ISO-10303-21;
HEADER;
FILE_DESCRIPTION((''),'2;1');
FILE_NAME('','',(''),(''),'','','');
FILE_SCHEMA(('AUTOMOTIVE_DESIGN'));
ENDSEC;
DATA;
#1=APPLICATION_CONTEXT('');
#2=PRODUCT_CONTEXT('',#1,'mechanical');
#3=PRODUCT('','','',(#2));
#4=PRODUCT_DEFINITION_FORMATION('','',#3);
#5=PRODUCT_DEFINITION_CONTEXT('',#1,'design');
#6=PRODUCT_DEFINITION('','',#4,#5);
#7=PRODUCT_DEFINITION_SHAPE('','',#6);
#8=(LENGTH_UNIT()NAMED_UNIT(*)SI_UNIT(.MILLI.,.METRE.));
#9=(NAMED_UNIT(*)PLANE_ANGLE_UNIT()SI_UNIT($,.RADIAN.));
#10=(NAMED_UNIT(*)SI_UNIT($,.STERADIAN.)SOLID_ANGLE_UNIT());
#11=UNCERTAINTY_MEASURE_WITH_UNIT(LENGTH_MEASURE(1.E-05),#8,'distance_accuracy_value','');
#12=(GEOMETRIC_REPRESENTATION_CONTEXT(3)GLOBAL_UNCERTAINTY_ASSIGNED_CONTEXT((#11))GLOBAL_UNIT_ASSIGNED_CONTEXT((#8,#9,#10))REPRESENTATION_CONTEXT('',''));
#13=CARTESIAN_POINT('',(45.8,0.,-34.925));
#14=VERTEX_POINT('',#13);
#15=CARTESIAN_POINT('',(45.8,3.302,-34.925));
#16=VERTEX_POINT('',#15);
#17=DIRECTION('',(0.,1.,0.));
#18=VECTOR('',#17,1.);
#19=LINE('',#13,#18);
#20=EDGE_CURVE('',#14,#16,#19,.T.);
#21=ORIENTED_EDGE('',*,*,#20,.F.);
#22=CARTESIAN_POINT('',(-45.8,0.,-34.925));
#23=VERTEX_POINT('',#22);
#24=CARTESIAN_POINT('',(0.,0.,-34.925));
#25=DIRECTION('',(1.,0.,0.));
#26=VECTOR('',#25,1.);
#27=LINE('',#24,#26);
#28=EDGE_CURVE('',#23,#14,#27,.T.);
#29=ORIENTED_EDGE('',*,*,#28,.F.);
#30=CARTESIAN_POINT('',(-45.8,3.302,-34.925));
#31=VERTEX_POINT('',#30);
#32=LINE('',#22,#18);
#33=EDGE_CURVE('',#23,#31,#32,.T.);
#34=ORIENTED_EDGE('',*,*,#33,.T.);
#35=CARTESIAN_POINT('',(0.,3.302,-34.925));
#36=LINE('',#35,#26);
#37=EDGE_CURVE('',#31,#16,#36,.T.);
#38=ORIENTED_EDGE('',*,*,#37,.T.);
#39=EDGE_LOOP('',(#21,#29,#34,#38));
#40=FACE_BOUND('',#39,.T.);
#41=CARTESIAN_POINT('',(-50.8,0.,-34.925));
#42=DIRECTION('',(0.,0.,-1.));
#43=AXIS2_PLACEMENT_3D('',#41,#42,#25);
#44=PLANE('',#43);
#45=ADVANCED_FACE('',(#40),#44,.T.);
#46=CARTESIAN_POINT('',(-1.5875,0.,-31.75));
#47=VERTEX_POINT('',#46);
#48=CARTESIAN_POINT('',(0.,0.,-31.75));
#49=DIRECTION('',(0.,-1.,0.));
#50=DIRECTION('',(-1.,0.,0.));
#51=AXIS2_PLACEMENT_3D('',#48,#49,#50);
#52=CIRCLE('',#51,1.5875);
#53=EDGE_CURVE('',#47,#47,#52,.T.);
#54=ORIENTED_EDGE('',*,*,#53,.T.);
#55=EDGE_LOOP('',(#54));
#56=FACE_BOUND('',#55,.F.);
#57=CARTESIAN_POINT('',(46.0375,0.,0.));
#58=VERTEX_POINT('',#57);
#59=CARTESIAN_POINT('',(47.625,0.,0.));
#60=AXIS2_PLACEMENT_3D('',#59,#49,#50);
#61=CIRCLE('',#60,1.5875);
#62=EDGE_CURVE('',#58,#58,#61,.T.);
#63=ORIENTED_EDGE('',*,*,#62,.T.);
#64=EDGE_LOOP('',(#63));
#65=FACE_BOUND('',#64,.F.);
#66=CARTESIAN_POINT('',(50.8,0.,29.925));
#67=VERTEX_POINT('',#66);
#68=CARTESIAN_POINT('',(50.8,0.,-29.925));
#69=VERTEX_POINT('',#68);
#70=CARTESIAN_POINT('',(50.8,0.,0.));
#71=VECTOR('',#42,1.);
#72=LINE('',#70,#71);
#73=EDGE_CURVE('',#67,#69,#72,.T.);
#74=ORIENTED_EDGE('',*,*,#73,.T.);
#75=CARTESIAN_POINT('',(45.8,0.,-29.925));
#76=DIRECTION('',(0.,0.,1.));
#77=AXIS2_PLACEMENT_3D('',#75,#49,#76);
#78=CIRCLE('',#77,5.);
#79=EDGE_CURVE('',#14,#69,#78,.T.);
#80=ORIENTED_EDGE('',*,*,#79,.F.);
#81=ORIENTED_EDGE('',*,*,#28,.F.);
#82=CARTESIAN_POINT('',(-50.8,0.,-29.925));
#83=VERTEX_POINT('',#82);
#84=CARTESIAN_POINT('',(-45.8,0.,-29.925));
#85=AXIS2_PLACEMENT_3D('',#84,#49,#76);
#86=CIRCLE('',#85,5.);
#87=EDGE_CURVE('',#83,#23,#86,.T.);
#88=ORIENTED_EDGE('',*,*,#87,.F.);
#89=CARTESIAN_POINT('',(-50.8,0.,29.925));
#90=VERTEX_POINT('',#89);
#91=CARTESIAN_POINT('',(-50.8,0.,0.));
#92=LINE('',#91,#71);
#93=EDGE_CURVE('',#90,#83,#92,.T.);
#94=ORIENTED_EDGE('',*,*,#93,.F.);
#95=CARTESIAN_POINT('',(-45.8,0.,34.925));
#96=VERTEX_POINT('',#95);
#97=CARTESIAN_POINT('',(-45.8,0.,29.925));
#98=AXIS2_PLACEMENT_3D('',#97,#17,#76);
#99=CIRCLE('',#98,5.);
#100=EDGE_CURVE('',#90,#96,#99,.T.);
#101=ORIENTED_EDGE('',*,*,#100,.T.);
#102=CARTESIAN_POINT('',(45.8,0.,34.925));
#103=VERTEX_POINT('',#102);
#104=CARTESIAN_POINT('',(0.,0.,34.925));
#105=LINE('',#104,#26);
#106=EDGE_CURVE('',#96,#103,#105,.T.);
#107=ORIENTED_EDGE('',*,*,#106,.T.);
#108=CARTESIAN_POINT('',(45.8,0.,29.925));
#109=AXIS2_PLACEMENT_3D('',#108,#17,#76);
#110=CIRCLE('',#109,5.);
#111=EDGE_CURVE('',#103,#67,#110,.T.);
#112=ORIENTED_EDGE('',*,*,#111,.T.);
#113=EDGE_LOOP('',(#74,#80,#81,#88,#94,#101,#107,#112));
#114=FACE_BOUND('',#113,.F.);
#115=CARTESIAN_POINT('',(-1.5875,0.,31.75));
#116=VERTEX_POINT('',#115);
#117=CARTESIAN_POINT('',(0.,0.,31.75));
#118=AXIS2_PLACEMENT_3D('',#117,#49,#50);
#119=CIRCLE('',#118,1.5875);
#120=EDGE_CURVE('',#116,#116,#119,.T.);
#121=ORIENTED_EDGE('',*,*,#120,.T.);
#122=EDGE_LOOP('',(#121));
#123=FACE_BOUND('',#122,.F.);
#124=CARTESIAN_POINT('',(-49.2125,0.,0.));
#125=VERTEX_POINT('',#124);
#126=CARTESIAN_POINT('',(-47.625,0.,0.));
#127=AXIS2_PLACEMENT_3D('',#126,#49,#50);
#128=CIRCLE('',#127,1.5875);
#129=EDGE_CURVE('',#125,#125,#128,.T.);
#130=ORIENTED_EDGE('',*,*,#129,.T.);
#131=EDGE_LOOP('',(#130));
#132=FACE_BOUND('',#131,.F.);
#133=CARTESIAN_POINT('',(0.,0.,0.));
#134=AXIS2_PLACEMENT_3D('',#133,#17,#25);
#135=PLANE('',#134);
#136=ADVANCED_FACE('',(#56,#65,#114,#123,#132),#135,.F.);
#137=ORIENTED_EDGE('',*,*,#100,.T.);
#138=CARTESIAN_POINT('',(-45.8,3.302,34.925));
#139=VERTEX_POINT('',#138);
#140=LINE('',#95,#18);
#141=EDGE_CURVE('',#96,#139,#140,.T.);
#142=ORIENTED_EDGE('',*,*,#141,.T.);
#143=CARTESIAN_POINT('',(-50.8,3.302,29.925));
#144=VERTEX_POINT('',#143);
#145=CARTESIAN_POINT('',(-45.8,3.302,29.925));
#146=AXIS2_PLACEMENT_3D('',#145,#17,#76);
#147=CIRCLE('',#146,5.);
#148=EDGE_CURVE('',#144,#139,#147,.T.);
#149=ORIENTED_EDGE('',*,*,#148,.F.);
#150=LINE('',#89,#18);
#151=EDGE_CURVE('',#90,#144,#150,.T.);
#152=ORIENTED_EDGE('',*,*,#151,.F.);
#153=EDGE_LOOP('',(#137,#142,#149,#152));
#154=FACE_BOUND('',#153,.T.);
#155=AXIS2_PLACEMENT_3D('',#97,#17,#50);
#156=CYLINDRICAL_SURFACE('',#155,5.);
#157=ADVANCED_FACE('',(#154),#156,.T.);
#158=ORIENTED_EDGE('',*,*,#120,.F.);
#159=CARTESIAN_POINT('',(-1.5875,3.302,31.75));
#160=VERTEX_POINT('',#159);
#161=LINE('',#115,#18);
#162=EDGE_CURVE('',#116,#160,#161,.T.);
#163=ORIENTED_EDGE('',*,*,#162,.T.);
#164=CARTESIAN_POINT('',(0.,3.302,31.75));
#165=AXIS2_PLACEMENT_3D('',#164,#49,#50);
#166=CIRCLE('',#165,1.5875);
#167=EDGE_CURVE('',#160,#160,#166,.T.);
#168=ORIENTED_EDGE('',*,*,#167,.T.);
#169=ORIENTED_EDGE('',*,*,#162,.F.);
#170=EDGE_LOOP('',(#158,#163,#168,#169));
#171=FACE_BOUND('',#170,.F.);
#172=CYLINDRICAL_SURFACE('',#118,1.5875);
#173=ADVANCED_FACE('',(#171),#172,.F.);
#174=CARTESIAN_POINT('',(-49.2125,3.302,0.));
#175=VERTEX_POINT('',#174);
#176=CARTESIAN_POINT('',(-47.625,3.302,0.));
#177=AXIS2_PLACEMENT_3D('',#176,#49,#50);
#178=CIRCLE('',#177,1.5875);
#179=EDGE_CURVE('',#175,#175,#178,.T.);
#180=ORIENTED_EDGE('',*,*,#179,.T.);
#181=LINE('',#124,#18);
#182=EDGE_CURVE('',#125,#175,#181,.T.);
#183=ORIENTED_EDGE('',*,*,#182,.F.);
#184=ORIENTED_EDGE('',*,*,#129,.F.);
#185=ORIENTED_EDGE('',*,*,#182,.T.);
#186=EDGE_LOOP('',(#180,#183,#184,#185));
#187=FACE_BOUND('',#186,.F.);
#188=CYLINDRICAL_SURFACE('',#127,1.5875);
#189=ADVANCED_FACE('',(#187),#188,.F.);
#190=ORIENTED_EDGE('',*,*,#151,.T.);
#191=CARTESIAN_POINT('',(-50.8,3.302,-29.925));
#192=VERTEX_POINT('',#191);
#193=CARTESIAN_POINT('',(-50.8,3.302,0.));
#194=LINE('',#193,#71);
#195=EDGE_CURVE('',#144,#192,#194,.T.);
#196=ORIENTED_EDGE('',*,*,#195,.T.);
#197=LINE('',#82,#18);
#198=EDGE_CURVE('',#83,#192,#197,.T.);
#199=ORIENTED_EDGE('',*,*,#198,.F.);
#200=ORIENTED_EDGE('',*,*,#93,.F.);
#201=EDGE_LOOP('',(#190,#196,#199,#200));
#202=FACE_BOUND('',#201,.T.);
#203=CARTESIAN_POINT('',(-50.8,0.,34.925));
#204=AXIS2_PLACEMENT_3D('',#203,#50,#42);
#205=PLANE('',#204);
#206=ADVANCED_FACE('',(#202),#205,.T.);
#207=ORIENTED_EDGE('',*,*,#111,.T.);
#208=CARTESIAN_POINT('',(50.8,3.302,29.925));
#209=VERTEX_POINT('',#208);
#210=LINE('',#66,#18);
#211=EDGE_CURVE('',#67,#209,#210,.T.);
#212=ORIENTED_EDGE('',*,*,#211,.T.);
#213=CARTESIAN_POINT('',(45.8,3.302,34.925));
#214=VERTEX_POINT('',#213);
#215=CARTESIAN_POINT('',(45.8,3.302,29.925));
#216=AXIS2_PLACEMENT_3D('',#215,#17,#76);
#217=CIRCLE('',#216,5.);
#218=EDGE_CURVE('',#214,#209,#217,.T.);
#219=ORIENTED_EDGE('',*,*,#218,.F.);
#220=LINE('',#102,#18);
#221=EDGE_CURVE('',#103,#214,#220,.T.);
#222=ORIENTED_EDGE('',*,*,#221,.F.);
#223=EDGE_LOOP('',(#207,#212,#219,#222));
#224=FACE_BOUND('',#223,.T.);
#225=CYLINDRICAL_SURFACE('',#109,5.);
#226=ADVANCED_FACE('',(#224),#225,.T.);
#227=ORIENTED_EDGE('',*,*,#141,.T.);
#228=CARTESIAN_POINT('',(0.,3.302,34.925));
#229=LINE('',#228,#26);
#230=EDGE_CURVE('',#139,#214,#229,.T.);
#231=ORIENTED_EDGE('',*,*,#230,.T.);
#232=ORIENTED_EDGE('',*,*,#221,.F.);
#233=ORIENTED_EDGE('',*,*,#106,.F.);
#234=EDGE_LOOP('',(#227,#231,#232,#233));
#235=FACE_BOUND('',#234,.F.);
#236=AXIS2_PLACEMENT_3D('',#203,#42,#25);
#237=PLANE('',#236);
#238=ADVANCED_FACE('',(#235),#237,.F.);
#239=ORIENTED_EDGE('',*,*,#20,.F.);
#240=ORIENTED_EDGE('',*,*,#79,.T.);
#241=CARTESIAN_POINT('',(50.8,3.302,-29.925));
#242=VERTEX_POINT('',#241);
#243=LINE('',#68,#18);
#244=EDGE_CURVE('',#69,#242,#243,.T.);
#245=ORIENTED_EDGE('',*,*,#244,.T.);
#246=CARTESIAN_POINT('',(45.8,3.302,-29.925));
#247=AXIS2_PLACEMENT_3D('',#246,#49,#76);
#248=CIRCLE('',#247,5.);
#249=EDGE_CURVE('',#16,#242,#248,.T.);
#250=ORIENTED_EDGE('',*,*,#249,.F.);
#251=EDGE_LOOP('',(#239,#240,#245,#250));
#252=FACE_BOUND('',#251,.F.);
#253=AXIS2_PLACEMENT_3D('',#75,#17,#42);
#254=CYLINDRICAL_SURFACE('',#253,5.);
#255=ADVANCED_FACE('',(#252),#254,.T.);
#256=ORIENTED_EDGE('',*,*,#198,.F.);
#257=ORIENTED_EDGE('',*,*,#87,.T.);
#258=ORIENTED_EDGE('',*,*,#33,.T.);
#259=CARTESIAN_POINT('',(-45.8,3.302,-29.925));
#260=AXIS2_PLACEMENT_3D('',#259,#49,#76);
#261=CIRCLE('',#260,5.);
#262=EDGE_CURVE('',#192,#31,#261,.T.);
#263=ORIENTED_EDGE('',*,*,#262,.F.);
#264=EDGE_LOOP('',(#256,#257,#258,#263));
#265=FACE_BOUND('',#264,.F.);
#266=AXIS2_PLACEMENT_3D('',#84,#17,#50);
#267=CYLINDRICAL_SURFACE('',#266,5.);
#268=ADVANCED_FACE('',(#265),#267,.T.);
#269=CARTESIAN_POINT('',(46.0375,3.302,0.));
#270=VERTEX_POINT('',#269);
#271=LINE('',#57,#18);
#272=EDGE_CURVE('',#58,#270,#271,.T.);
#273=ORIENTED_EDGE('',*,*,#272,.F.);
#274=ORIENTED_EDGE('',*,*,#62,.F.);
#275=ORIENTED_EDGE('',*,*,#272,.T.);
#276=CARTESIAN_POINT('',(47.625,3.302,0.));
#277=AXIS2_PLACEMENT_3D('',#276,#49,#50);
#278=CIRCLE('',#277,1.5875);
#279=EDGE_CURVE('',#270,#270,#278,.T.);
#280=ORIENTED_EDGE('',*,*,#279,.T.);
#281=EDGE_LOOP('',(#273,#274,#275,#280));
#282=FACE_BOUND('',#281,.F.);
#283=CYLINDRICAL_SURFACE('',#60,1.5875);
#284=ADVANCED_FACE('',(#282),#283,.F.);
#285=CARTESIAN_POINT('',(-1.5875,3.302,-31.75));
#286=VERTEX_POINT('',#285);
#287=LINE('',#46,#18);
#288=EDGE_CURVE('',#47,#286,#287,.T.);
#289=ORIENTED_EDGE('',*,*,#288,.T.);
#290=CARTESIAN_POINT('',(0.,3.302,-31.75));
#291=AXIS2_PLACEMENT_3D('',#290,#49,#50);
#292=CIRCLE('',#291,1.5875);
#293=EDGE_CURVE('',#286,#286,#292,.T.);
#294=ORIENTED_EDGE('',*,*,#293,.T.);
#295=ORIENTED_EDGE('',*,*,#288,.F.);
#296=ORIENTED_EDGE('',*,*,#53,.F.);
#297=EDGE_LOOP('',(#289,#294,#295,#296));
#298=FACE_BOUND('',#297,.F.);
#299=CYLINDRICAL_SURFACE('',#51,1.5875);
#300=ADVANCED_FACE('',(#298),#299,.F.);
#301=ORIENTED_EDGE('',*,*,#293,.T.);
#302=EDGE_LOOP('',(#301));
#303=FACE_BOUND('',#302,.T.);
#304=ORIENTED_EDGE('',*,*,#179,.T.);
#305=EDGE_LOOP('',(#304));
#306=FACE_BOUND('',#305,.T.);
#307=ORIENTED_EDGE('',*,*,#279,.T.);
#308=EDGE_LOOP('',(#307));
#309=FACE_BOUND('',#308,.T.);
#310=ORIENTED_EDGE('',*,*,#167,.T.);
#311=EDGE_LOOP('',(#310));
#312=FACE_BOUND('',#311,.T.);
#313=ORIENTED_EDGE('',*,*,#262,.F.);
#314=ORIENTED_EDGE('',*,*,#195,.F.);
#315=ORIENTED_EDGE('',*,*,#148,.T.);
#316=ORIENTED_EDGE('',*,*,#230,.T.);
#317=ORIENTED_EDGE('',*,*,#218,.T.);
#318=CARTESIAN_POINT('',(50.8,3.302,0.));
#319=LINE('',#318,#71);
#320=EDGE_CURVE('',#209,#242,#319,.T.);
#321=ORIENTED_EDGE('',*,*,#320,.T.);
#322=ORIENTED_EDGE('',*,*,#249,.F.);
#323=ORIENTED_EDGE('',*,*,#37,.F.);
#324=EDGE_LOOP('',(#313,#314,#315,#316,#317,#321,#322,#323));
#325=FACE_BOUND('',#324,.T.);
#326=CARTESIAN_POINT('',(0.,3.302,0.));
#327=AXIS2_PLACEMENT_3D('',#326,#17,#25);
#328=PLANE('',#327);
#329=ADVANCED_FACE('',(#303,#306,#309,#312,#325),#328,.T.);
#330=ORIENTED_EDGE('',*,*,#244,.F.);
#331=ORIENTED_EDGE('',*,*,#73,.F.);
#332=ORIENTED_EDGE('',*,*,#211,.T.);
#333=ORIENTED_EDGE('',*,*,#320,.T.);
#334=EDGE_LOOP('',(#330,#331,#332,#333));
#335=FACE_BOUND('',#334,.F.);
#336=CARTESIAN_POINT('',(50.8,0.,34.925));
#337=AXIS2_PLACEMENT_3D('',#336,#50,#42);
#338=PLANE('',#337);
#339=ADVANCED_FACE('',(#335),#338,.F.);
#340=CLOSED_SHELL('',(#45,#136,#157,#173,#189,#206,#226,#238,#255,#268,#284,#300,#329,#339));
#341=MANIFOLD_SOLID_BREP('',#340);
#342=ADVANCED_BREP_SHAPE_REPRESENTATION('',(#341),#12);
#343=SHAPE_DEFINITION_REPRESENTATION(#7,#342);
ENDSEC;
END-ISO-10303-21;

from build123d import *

# Parameters (mm, degrees)
SKETCH1_W           = 101.6
SKETCH1_H           = 69.85
BOSS_EXTRUDE1_DEPTH = 3.302
SKETCH4_R           = 1.5875
CUT_EXTRUDE1_DEPTH  = 4.302
FILLET1_R           = 5


with BuildPart() as part:
    # Sketch1 → Boss-Extrude1 (new body)
    with BuildSketch(Plane(origin=(0, 0, 0), x_dir=(1, 0, 0), z_dir=(0, 1, 0))):
        Rectangle(SKETCH1_W, SKETCH1_H)
    extrude(amount=BOSS_EXTRUDE1_DEPTH)

    # Sketch4 → Cut-Extrude1 (cut, through all)
    with BuildSketch(Plane(origin=(0, 0, 0), x_dir=(-1, 0, 0), z_dir=(0, -1, 0))):
        with Locations((0, 31.75)):
            Circle(SKETCH4_R)
        with Locations((-47.625, 0)):
            Circle(SKETCH4_R)
        with Locations((0, -31.75)):
            Circle(SKETCH4_R)
        with Locations((47.625, 0)):
            Circle(SKETCH4_R)
    extrude(amount=-CUT_EXTRUDE1_DEPTH, mode=Mode.SUBTRACT)

    # Fillet1
    fillet1_edges = [part.edges().sort_by_distance(p)[0] for p in [
        (50.8, 1.651, 34.925),
        (-50.8, 1.651, 34.925),
        (-50.8, 1.651, -34.925),
        (50.8, 1.651, -34.925),
    ]]
    fillet(fillet1_edges, radius=FILLET1_R)


solid = part.part
